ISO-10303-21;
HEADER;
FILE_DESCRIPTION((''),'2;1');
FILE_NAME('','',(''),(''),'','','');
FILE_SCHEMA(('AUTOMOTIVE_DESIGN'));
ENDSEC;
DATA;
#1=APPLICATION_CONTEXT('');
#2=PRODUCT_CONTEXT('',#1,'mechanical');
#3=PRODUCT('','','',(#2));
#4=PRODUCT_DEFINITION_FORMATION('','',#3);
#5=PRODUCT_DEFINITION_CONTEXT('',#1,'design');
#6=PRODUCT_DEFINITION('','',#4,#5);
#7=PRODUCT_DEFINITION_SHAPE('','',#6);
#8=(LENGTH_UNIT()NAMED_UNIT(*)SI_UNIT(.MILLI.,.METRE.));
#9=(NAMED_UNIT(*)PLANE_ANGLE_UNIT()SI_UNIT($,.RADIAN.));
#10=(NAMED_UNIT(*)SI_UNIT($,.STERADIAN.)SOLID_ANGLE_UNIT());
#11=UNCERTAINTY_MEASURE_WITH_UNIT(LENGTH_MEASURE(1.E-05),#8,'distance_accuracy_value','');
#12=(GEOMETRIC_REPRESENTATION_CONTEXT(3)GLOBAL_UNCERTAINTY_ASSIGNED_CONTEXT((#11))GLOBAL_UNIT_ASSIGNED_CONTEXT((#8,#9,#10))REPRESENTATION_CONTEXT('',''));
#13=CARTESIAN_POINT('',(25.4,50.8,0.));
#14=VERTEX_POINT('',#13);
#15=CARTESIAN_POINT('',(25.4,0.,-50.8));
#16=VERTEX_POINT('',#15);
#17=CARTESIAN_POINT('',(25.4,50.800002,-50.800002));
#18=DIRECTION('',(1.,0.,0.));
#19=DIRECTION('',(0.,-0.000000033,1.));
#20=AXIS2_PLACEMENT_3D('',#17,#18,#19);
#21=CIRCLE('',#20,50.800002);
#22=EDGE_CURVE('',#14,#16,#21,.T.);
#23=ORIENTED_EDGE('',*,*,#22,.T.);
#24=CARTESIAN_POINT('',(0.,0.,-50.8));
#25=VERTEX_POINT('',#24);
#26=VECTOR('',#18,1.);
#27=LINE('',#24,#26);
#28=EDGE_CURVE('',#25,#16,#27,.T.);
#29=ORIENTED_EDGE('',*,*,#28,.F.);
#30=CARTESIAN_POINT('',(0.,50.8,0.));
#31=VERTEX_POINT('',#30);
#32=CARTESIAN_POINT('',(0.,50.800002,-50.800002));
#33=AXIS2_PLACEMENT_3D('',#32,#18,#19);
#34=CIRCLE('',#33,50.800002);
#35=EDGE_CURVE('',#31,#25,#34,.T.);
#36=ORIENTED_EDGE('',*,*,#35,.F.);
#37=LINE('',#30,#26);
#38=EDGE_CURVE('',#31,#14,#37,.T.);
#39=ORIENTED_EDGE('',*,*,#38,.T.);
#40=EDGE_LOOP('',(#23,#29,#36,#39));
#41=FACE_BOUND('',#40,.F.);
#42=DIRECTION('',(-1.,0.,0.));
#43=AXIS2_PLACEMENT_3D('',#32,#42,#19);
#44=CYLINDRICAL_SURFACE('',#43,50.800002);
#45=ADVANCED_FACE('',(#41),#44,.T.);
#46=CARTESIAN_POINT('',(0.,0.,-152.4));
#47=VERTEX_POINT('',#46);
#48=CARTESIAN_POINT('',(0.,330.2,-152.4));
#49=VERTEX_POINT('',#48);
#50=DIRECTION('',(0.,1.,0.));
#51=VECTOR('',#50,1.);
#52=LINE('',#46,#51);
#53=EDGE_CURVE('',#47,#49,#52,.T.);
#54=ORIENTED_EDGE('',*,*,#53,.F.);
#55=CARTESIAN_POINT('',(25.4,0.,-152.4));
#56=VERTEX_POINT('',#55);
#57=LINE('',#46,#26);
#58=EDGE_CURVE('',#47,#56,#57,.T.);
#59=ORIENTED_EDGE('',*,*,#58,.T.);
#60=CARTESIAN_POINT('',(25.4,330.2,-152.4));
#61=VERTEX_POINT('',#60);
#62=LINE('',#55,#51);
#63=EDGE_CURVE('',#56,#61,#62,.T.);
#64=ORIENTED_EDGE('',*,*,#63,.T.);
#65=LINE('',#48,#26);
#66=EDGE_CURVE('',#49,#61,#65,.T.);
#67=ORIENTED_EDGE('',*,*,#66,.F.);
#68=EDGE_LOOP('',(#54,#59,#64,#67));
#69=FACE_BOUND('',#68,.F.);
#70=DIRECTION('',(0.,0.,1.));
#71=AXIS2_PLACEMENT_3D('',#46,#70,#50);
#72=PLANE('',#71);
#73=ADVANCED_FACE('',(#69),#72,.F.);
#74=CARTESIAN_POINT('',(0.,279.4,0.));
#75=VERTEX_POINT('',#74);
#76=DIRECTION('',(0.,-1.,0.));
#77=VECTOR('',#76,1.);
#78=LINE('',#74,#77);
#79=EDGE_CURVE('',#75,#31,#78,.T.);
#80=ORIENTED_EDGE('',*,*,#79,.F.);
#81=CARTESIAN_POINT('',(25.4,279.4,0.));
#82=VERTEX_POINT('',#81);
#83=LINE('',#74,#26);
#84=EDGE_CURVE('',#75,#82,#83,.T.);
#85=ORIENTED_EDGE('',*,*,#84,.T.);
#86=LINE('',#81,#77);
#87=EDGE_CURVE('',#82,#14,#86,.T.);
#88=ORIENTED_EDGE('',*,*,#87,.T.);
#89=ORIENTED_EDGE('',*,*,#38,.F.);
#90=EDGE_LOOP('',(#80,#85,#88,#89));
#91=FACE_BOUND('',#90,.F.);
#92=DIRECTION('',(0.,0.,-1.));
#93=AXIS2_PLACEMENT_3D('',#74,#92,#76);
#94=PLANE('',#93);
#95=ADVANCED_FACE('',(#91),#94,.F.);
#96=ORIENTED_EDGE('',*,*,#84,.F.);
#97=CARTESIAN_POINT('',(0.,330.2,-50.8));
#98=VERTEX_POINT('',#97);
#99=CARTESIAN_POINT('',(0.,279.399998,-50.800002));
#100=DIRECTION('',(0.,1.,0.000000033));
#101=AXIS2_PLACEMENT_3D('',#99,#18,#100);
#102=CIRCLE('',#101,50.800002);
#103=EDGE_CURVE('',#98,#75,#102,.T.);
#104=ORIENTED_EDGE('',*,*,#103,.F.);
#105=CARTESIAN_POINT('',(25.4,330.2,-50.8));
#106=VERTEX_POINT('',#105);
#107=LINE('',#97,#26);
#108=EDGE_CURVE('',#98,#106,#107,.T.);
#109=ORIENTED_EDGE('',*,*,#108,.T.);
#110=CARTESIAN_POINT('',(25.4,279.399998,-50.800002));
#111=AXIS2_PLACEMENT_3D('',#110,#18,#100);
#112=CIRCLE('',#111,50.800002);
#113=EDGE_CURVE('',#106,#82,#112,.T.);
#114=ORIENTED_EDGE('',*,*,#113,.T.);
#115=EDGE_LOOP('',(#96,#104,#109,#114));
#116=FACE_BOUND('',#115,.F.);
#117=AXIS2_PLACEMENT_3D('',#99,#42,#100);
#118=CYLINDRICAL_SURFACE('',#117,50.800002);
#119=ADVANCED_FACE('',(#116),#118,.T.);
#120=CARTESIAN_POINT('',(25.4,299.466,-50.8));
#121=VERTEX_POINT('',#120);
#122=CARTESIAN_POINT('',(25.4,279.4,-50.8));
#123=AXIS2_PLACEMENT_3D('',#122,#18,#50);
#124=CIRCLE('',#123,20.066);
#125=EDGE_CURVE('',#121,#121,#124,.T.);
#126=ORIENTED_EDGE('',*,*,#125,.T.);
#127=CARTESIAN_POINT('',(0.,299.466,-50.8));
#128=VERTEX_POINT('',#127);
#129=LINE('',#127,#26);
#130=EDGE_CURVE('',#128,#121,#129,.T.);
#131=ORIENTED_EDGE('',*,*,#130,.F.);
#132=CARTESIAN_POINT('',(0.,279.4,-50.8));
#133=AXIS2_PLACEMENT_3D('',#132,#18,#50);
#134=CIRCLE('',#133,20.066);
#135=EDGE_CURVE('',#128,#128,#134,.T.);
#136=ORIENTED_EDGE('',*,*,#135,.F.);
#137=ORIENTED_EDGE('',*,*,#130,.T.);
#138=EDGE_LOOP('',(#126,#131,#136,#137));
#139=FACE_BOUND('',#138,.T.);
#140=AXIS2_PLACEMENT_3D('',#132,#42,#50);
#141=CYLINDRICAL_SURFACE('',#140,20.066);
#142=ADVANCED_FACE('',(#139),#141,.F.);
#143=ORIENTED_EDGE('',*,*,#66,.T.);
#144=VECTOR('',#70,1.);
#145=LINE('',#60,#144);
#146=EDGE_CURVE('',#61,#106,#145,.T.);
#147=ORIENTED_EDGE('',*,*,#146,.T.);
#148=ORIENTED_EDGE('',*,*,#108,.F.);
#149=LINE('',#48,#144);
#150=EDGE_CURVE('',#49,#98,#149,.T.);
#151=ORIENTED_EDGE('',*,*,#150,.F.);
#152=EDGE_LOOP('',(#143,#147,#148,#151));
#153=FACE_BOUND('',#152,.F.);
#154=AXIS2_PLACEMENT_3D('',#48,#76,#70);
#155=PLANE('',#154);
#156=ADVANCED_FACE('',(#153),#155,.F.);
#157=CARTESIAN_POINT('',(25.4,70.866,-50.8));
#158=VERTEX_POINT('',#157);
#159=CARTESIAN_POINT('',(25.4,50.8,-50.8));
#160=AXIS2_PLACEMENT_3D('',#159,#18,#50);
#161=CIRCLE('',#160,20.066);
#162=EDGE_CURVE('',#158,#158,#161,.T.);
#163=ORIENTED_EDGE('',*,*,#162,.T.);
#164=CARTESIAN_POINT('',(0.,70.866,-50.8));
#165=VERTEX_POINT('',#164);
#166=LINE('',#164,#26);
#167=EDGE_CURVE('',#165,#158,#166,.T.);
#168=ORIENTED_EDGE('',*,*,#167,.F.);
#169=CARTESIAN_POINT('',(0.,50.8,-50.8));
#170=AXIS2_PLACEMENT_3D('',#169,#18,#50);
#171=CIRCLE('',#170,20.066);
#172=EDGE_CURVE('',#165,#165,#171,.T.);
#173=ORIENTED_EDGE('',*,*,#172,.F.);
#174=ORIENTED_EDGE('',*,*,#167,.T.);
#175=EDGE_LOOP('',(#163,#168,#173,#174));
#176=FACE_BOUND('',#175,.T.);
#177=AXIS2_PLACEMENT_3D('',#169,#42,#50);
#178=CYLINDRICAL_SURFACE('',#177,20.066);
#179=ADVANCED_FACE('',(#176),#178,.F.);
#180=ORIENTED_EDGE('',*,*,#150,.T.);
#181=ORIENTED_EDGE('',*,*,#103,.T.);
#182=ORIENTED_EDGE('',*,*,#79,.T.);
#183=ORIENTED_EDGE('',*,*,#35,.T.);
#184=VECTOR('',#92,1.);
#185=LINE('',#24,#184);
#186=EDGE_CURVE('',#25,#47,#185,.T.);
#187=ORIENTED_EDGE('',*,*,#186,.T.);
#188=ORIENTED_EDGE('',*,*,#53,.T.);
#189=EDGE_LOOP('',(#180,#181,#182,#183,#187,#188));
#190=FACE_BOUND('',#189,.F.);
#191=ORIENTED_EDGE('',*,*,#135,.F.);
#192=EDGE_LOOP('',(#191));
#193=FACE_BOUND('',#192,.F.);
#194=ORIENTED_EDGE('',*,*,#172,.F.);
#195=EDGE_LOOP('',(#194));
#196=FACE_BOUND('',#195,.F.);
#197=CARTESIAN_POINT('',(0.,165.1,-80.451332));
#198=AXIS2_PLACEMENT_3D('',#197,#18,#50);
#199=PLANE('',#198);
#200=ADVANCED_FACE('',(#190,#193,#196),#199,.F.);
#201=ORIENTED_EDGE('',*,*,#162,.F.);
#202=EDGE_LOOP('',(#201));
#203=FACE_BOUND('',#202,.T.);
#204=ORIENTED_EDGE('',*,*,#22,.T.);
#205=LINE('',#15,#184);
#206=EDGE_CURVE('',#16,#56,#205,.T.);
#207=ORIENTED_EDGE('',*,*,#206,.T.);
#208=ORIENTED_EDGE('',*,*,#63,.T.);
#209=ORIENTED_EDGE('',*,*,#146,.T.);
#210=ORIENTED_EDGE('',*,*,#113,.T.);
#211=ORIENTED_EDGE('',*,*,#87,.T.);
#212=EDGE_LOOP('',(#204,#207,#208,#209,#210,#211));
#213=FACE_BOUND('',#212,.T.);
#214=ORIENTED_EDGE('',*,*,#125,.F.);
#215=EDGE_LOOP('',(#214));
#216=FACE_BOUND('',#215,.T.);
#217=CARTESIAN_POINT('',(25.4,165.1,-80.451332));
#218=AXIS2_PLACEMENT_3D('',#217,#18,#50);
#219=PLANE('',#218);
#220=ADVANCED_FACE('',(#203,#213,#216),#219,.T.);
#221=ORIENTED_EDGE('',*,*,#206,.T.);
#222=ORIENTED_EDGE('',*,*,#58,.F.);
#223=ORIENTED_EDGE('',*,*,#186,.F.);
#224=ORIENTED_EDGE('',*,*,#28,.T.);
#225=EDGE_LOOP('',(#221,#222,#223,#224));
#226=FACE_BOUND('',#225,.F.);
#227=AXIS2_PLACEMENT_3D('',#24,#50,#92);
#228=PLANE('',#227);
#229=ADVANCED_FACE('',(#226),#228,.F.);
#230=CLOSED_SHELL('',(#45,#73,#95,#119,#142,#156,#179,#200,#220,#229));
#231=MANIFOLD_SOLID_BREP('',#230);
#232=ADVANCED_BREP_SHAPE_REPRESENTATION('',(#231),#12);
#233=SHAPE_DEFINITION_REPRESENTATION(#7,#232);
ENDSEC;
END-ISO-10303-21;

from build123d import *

# Parameters (mm, degrees)
F0_R     = 20.066
F1_DEPTH = 25.4


with BuildPart() as f1:
    # F0 (on Right) → F1 (new body)
    with BuildSketch(Plane.YZ):
        with BuildLine():
            Line((279.4, 0), (50.8, 0))
            ThreePointArc((50.8, 0), (14.878976, -14.878976), (0, -50.8))
            Line((0, -50.8), (0, -152.4))
            Line((0, -152.4), (330.2, -152.4))
            Line((330.2, -152.4), (330.2, -50.8))
            ThreePointArc((330.2, -50.8), (315.321024, -14.878976), (279.4, 0))
        make_face()
        with Locations((50.8, -50.8)):
            Circle(F0_R, mode=Mode.SUBTRACT)
        with Locations((279.4, -50.8)):
            Circle(F0_R, mode=Mode.SUBTRACT)
    extrude(amount=F1_DEPTH)


solid = f1.part
